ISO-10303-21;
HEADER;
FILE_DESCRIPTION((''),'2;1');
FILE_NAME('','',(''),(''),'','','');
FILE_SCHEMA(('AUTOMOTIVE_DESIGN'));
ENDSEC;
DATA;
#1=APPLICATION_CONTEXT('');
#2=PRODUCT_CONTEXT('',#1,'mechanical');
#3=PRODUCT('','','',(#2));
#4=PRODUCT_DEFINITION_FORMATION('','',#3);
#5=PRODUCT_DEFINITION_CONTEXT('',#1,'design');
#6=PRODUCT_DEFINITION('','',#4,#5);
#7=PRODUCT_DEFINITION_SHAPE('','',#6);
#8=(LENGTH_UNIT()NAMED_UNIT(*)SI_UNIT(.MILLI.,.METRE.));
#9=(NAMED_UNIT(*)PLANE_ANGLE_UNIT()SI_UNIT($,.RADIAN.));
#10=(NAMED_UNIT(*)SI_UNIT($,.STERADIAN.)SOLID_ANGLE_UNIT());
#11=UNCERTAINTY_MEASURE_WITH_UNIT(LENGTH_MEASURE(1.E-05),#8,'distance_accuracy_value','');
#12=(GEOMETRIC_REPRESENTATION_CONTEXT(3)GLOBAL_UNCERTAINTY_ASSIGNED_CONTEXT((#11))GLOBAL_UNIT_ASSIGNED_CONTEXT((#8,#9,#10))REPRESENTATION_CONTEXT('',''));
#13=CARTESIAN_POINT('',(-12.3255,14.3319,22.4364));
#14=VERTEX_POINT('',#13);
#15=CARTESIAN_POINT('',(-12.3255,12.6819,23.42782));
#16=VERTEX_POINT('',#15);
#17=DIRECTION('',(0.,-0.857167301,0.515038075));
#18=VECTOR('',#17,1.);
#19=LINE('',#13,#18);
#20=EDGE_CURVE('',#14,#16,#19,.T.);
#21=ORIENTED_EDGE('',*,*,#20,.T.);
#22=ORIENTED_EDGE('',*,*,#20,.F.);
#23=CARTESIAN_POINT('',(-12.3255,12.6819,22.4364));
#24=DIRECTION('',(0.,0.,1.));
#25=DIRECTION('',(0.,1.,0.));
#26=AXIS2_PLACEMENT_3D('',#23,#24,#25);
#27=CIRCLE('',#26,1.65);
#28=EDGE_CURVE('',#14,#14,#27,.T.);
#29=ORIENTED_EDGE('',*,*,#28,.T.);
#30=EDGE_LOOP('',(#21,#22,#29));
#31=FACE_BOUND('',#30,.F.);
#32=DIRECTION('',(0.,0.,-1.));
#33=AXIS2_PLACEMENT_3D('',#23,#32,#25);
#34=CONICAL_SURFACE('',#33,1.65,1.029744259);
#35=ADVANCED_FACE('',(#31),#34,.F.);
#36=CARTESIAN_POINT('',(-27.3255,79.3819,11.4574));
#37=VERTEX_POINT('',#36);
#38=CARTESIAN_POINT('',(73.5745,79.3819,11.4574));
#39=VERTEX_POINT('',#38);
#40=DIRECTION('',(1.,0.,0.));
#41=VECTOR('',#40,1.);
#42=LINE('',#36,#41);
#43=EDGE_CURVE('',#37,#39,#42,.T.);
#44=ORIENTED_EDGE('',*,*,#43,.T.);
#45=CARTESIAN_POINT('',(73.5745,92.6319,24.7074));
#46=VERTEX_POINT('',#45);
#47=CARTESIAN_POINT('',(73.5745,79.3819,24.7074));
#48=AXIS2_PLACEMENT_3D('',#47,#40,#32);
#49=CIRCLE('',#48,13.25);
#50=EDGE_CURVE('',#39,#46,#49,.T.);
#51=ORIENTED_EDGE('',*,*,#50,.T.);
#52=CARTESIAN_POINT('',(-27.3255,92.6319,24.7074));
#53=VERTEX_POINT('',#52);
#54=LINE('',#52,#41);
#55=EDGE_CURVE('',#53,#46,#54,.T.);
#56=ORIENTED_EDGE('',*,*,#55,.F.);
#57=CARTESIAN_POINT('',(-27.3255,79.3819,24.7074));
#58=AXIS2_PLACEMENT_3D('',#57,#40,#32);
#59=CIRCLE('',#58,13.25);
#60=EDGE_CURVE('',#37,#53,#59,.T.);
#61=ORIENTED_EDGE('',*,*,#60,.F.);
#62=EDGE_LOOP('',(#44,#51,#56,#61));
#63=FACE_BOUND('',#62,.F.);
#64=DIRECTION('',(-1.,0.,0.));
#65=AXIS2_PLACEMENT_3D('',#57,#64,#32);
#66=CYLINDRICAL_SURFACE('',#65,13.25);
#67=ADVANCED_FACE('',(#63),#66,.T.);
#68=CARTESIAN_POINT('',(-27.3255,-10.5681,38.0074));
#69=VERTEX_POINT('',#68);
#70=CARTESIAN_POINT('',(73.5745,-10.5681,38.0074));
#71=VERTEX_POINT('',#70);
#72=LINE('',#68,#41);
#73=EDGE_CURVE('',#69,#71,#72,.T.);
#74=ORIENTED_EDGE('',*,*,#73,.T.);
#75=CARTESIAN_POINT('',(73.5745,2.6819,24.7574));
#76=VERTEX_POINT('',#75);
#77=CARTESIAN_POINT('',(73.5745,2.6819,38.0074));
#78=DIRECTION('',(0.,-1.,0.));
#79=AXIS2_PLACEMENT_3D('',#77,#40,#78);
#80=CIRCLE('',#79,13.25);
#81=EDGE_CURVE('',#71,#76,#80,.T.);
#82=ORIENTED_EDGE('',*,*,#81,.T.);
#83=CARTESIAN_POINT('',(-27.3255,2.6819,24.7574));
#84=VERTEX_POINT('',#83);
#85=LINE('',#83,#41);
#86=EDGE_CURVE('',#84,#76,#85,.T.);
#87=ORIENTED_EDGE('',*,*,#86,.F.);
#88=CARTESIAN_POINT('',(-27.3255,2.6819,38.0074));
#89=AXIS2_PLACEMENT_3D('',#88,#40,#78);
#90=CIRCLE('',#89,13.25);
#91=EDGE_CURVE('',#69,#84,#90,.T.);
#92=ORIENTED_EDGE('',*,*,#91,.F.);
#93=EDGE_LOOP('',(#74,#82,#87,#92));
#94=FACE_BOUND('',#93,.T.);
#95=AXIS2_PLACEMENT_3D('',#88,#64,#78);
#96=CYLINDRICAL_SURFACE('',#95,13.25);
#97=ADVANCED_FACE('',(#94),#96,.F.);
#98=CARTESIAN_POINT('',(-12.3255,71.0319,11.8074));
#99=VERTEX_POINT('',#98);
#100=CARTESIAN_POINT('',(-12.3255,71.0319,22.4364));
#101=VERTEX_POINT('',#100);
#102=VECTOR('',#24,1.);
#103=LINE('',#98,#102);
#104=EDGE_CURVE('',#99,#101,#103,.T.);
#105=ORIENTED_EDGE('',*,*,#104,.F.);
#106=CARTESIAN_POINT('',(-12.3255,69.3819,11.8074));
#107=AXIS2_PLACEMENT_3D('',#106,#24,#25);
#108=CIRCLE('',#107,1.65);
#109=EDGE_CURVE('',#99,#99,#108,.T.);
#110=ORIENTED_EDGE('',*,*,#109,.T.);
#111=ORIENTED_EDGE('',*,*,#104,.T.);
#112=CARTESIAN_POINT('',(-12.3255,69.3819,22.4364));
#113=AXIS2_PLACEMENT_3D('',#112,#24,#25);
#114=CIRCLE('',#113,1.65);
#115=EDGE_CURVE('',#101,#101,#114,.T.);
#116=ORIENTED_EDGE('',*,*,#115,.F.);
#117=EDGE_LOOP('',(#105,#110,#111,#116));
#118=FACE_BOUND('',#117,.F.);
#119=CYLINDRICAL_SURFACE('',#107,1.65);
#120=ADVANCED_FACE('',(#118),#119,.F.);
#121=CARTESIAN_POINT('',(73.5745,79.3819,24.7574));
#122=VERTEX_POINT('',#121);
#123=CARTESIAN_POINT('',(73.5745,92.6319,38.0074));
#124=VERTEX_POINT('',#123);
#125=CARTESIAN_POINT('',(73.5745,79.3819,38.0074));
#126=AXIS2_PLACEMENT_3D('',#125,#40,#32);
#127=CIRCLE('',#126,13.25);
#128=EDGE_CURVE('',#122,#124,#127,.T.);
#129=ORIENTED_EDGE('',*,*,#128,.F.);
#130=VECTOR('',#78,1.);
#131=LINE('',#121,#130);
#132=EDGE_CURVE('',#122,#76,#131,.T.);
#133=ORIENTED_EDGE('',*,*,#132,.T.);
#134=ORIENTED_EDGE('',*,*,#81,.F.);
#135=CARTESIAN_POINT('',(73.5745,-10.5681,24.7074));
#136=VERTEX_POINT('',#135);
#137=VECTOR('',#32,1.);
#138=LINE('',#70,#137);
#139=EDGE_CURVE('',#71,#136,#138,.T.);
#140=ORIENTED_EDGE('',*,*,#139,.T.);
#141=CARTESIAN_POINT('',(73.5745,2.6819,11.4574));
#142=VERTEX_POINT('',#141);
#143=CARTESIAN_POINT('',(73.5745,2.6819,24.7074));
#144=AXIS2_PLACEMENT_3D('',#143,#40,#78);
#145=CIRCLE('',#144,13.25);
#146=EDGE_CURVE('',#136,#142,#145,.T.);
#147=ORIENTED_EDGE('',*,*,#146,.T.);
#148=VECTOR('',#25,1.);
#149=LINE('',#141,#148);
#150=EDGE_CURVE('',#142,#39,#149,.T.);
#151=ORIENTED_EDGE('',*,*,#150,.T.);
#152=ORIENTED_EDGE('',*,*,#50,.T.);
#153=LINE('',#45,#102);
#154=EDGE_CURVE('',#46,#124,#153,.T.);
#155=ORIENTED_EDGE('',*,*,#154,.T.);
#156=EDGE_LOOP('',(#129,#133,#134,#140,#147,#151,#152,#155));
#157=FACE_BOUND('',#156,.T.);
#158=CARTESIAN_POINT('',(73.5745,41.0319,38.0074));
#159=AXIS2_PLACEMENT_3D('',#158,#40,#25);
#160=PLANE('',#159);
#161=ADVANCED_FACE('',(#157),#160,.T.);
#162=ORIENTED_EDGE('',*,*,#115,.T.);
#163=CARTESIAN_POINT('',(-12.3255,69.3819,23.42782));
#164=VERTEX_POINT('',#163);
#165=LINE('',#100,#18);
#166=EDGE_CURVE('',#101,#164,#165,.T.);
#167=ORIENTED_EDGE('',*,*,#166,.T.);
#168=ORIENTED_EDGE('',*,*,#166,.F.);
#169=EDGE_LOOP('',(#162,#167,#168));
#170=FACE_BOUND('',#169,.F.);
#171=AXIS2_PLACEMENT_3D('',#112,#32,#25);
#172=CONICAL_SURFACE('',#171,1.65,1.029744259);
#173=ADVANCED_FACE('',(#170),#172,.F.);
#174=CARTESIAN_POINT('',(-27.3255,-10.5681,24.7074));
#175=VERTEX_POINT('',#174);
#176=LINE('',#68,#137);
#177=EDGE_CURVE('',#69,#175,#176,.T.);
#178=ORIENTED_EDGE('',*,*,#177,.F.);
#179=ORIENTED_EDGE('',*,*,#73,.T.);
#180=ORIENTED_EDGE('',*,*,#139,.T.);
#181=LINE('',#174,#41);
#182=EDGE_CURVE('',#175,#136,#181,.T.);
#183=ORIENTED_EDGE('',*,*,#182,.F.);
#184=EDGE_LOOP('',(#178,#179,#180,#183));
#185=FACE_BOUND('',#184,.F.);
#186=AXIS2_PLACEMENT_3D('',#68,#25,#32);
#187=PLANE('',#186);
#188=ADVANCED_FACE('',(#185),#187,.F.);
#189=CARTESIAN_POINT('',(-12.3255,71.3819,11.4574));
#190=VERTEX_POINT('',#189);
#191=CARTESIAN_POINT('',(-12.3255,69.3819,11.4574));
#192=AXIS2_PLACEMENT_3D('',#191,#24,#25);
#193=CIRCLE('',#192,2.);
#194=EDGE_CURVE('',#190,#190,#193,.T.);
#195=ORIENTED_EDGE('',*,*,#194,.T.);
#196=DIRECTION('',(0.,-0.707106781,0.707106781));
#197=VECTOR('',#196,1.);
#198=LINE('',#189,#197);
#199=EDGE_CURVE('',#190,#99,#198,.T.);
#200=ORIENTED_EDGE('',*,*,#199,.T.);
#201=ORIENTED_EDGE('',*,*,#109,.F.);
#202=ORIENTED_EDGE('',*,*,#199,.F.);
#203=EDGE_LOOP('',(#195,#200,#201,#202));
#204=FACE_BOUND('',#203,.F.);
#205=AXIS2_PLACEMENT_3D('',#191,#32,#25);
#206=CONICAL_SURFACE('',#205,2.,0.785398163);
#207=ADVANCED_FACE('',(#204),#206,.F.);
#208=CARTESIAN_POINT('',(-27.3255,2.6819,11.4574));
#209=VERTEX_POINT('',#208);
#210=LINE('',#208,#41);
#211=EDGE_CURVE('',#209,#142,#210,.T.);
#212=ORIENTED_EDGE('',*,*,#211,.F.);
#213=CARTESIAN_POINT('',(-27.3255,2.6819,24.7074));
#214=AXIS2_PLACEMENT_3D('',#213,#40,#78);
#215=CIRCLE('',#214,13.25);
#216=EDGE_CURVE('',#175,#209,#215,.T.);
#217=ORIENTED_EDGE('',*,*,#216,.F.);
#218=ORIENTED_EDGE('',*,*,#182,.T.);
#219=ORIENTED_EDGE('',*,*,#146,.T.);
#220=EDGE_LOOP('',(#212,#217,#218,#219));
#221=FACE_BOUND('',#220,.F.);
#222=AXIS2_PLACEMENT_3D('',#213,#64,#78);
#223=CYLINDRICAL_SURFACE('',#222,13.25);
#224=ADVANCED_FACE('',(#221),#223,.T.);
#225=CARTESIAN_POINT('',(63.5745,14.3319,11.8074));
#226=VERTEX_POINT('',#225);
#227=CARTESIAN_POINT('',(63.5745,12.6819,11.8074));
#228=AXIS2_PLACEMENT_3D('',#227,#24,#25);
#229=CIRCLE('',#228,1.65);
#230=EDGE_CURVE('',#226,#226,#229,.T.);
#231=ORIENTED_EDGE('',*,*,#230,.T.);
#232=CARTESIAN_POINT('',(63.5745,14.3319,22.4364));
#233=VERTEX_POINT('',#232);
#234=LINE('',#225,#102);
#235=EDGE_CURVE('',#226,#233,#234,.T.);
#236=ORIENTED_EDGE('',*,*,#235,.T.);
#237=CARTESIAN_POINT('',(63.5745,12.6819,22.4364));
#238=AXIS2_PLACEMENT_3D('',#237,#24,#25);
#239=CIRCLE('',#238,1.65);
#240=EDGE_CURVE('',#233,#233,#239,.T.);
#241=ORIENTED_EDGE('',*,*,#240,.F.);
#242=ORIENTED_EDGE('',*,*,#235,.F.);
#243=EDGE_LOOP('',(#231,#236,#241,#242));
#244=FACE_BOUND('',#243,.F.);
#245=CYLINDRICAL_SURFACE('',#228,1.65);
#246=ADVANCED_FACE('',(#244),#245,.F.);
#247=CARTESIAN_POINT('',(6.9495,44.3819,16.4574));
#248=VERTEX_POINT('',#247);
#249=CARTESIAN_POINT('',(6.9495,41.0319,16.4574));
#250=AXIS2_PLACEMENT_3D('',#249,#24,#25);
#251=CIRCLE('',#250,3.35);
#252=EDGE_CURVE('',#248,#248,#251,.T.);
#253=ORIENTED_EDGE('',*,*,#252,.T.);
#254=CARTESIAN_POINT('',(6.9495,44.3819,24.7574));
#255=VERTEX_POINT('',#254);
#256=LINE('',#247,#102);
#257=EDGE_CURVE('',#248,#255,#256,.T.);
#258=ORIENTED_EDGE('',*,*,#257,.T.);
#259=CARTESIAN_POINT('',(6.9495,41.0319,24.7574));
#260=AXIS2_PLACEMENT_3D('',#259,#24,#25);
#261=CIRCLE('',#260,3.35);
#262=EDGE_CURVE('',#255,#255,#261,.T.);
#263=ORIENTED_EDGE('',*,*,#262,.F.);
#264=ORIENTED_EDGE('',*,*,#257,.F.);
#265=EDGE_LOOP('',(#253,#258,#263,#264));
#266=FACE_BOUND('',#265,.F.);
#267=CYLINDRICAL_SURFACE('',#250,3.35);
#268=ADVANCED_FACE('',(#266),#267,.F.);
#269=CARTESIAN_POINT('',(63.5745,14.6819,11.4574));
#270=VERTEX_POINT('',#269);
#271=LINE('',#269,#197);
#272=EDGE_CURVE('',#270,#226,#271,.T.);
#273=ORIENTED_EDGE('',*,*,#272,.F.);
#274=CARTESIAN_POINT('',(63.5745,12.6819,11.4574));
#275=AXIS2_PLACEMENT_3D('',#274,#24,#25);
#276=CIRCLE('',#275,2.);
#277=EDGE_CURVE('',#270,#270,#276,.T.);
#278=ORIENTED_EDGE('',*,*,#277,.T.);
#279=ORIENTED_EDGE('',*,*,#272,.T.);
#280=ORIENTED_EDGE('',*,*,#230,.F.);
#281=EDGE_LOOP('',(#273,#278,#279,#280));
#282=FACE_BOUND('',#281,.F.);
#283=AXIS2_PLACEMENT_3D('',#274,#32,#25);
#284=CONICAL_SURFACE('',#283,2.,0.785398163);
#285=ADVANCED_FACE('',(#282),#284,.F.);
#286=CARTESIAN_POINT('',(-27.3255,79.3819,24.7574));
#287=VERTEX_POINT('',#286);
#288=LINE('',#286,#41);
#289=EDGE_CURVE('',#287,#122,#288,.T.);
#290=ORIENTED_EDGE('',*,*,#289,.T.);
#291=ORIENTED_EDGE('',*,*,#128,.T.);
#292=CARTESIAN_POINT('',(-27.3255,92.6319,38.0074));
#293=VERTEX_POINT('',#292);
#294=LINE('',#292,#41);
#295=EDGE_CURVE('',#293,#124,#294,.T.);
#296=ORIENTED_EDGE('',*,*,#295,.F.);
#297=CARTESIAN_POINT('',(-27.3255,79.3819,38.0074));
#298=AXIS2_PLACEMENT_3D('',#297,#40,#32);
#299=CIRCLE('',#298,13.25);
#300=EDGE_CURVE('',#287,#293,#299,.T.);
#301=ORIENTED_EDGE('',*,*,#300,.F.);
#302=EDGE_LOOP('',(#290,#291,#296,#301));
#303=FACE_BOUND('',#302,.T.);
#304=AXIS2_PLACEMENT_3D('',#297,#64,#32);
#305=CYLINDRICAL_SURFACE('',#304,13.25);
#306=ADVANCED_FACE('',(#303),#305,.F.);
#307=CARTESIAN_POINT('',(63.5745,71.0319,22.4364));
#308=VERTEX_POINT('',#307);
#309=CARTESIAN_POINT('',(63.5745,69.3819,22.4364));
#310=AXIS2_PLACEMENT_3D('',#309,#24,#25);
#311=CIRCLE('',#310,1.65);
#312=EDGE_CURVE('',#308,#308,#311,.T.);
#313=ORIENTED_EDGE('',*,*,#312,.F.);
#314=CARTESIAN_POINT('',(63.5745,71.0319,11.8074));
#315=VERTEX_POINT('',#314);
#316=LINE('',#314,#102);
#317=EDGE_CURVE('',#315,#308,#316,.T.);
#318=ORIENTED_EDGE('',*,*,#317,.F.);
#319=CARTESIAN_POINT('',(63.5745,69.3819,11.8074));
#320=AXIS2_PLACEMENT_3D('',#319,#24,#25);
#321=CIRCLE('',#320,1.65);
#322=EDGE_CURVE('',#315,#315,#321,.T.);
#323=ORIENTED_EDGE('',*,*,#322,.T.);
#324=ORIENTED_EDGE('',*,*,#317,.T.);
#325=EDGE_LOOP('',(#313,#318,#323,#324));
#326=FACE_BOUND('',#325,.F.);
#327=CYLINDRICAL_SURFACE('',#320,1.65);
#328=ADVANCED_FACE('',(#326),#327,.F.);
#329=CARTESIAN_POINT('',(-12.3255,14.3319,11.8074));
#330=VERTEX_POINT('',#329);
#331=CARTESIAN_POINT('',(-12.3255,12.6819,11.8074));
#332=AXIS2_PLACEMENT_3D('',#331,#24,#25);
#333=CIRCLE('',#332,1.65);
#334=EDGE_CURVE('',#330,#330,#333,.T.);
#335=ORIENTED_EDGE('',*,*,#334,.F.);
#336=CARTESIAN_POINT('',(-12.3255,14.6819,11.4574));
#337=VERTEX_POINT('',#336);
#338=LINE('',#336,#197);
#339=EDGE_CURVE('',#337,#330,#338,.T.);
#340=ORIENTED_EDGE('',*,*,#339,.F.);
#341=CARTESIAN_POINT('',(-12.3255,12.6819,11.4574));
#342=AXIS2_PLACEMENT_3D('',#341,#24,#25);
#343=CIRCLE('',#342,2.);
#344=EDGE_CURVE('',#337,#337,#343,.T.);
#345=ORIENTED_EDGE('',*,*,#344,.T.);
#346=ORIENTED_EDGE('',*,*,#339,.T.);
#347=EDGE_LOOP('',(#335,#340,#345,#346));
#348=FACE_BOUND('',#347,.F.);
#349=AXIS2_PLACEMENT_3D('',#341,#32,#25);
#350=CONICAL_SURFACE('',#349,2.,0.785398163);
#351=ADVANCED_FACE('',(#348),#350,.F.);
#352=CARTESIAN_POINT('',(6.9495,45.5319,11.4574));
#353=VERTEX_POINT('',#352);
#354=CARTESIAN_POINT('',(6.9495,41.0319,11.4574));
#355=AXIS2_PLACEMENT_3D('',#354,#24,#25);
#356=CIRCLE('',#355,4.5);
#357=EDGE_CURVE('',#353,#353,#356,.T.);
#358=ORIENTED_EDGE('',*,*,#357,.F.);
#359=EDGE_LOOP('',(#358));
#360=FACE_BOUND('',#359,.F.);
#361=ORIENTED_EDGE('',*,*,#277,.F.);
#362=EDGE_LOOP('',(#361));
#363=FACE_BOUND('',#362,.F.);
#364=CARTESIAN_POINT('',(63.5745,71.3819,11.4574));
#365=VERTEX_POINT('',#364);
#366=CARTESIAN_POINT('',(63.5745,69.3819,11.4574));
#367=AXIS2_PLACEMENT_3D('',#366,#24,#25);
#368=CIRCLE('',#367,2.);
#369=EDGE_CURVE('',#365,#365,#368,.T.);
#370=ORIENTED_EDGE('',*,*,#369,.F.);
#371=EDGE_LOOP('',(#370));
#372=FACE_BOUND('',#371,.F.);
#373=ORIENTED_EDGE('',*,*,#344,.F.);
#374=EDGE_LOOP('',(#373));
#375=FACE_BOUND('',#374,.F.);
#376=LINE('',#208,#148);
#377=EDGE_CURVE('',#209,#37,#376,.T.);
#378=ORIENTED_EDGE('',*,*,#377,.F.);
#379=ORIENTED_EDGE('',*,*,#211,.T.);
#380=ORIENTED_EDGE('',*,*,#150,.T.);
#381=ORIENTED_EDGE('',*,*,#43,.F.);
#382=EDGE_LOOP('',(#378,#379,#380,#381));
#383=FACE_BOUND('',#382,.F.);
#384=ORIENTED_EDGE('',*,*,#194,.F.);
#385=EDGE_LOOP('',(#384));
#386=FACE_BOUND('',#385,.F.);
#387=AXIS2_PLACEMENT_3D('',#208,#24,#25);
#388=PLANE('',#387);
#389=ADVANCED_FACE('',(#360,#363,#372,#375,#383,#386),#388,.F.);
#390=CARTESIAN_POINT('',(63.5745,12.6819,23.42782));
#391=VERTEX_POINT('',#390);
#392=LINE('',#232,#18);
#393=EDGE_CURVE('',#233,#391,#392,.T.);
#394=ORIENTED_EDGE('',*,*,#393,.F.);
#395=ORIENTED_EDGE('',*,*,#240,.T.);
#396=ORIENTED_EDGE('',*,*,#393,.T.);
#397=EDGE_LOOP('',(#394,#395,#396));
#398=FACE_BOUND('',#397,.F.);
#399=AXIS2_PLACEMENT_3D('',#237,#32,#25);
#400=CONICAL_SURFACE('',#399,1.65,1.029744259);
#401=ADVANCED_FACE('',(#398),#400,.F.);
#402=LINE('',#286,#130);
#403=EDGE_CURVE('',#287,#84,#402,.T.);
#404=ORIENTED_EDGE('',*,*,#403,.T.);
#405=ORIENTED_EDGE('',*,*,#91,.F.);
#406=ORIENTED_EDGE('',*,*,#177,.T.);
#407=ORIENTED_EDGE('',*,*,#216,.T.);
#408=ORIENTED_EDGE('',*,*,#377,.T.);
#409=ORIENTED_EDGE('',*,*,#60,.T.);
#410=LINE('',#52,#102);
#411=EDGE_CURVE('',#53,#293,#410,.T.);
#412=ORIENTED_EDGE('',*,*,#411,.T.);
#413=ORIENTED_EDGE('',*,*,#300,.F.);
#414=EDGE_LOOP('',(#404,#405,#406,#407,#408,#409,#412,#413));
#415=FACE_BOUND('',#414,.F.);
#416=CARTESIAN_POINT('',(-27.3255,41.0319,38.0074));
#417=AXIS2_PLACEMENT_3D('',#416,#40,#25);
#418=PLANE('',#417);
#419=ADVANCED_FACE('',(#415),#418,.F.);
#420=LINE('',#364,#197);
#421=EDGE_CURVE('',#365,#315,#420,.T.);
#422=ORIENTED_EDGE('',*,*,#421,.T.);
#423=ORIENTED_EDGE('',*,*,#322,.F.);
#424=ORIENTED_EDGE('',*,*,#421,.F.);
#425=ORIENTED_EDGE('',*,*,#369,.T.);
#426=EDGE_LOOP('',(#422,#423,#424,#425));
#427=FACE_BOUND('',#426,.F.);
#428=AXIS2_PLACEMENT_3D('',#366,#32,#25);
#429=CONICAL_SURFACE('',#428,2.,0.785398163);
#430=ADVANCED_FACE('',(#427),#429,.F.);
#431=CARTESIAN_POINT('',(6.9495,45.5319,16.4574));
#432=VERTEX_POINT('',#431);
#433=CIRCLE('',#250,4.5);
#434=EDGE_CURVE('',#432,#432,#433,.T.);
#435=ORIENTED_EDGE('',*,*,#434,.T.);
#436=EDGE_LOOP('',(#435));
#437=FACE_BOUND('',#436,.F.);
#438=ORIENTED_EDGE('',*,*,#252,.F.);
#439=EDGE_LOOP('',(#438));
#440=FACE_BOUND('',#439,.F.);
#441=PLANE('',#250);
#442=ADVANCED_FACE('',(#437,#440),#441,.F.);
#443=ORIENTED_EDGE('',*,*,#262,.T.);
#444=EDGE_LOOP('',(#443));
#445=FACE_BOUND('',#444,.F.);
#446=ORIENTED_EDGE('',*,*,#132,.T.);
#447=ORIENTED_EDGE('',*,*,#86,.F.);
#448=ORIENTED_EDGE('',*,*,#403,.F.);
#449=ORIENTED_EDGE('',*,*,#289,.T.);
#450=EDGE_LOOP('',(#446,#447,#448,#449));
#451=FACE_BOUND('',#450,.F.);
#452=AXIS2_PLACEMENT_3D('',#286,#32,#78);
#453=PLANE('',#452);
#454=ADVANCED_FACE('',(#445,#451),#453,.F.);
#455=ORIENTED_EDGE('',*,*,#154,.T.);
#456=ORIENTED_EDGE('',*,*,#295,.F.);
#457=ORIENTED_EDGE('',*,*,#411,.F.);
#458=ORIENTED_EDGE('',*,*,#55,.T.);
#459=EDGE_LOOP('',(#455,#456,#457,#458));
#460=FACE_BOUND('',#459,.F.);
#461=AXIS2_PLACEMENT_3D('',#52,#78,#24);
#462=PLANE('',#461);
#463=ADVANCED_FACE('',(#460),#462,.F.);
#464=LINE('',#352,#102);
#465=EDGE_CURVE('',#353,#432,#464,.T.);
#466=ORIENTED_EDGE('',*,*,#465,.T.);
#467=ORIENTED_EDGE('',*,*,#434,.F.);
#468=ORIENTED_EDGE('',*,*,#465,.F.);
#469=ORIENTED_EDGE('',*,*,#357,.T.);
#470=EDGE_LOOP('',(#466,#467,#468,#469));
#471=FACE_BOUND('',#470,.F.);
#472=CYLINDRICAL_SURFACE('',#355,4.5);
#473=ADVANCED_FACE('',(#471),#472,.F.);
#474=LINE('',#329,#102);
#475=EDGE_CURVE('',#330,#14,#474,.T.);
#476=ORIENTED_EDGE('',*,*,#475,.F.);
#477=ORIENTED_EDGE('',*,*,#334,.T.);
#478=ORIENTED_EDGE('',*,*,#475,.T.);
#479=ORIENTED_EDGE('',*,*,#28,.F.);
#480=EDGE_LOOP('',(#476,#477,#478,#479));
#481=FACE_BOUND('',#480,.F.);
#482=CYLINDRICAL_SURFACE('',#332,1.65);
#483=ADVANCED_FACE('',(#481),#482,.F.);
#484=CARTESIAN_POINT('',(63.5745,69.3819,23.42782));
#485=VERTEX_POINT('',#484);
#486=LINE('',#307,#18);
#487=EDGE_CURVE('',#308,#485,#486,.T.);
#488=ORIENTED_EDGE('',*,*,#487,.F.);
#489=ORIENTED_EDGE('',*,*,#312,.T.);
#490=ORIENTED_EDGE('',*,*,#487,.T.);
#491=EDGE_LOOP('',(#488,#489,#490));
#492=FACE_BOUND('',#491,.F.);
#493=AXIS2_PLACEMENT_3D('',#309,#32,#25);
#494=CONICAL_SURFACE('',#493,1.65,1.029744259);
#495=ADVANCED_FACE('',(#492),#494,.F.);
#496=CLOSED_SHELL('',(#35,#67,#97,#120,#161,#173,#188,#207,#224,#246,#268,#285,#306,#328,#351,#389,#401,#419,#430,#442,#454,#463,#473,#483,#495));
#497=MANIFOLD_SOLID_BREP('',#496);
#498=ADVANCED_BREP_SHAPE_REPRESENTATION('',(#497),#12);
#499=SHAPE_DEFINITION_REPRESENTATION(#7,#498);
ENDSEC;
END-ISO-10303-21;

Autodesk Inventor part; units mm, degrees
ref_plane "YZ Plane" through (0, 0, 0) normal (1, 0, 0) x (0, 1, 0)
ref_plane "XZ Plane" through (0, 0, 0) normal (0, 1, 0) x (-1, 0, 0)
ref_plane "XY Plane" through (0, 0, 0) normal (0, 0, 1) x (1, 0, 0)
ref_plane "作業平面1" through (-27.3255, 41.0319, 38.0074) normal (1, 0, 0) x (0, 1, 0)
sketch "スケッチ2" plane through (-27.3255, 41.0319, 38.0074) normal (1, 0, 0) x (0, 1, 0)
  arc A0 (-51.6, -13.3) -> (-38.35, -26.55) centre (-38.35, -13.3) ccw
  line L0 (-51.6, 0) -> (-51.6, -13.3)
  arc A1 (-51.6, 0) -> (-38.35, -13.25) centre (-38.35, 0) ccw
  line L1 (38.35, -13.25) -> (-38.35, -13.25)
  arc A2 (38.35, -13.25) -> (51.6, 0) centre (38.35, 0) ccw
  line L2 (51.6, -13.3) -> (51.6, 0)
  arc A3 (38.35, -26.55) -> (51.6, -13.3) centre (38.35, -13.3) ccw
  line L3 (-38.35, -26.55) -> (38.35, -26.55)
  point P0 (-41.0319, -38.0074)
extrude "押し出し1" add sketch "スケッチ2" along normal blind 100.9
sketch "スケッチ3" plane through (-27.3255, 2.6819, 11.4574) normal (0, 0, -1) x (-1, 0, 0)
  line L0 (0, 76.7) -> (-100.9, 76.7) projected
  line L1 (-100.9, 0) -> (-100.9, 76.7) projected
  line L2 (0, 0) -> (-100.9, 0) projected
  line L3 (0, 76.7) -> (0, 0) projected
  point P0 (-27.3255, -2.6819)
  point P1 (-90.9, 66.7)
  point P2 (-90.9, 10)
  point P3 (-15, 10)
  point P4 (-15, 66.7)
  dimension "d2" = 10
  dimension "d3" = 10
  dimension "d4" = 10
  dimension "d5" = 10
  dimension "d6" = 10
  dimension "d7" = 15
  dimension "d8" = 15
  dimension "d9" = 10
hole "穴2" at (63.5745, 69.3819, 11.4574) at (63.5745, 12.6819, 11.4574) at (-12.3255, 12.6819, 11.4574) at (-12.3255, 69.3819, 11.4574) direction (0, 0, 1) diameter 3.3 depth 10.979 tip angle 118 countersink diameter 4 countersink angle 90
sketch "スケッチ4" plane through (-27.3255, 2.6819, 11.4574) normal (0, 0, -1) x (-1, 0, 0)
  circle A0 centre (-34.275, 38.35) radius 4.175 projected
  circle A1 centre (-34.275, 38.35) radius 3.35
  point P0 (-27.3255, -2.6819)
  dimension "d24" = 6.7
hole "穴3" at (6.9495, 41.0319, 11.4574) direction (0, 0, 1) diameter 6.7 depth 15 tip angle 118 counterbore diameter 9 counterbore depth 5
properties part number "AzureKinectCradle"
